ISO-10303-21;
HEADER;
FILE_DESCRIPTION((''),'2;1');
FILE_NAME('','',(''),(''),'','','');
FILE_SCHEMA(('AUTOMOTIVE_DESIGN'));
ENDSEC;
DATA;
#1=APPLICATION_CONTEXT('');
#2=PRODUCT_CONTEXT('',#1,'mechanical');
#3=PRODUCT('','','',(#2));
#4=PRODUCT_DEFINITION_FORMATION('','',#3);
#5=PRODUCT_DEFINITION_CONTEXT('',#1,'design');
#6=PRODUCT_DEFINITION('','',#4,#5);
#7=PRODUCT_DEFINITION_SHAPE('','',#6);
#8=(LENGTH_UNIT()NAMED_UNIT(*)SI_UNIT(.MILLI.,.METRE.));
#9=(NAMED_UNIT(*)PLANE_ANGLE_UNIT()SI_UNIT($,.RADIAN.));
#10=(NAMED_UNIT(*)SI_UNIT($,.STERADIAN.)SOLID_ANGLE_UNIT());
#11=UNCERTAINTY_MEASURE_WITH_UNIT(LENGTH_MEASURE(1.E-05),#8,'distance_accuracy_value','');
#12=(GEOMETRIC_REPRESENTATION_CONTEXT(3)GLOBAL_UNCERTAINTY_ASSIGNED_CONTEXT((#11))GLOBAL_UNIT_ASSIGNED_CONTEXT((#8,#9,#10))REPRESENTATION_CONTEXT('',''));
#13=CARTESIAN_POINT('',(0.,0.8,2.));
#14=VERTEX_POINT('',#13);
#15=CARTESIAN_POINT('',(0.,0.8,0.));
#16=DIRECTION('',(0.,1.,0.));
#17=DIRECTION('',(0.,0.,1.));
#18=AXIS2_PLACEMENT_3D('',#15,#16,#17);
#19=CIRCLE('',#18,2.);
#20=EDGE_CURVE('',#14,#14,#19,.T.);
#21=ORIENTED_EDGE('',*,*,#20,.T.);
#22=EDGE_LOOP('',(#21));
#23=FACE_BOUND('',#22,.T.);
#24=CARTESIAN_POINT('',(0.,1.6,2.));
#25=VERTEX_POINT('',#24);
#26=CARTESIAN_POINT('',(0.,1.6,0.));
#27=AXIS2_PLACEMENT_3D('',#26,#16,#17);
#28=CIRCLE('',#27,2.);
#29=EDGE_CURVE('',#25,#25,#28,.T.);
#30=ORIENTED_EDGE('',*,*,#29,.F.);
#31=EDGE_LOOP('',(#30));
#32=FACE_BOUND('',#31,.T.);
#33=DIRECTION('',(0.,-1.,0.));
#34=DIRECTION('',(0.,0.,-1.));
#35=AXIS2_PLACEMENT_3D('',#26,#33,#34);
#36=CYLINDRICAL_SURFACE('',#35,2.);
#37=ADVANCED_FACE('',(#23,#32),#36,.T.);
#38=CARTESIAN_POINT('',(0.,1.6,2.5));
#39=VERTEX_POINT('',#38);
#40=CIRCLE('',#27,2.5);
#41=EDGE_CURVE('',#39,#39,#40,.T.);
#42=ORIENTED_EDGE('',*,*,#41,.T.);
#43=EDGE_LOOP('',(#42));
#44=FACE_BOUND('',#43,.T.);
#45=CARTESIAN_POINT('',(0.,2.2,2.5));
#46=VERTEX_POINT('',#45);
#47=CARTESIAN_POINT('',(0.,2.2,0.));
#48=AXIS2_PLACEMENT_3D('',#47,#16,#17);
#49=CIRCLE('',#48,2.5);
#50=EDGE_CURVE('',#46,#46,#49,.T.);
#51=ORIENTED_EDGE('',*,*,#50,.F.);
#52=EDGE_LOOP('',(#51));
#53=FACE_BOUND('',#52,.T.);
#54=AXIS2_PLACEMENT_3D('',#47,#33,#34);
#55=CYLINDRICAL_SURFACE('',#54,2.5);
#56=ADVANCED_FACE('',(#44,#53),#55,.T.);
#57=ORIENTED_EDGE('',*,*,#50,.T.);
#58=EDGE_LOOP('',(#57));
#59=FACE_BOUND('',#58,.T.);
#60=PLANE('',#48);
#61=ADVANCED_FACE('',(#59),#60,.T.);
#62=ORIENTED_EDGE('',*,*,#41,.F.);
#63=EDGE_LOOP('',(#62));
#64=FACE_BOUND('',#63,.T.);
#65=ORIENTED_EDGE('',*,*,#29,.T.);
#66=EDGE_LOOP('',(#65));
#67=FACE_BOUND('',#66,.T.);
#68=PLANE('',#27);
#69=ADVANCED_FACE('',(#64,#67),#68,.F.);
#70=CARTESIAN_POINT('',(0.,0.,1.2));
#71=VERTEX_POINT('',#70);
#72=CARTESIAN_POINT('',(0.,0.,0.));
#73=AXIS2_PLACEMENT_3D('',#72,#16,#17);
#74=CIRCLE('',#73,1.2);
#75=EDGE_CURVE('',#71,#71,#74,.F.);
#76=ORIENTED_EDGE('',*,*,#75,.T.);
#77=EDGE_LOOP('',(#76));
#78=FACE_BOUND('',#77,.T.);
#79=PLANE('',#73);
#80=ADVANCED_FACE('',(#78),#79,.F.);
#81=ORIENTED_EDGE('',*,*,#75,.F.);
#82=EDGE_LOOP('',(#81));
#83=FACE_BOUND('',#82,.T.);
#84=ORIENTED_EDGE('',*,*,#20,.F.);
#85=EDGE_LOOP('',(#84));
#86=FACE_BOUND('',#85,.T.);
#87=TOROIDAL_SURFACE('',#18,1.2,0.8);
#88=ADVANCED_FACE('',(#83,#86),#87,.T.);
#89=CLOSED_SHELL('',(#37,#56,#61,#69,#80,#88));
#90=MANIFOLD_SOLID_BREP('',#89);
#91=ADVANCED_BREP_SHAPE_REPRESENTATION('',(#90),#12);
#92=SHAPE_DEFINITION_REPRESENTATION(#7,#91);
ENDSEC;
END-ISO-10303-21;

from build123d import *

# Parameters (mm, degrees)
SKETCH_1_R      = 2
EXTRUDE_1_DEPTH = 1.6
SKETCH_2_R      = 2.5
SKETCH_2_R_2    = 2
EXTRUDE_2_DEPTH = 0.6
FILLET_1_R      = 0.8


with BuildPart() as part:
    # Эскиз1 → Бобышка-Вытянуть1 (new body)
    with BuildSketch(Plane(origin=(0, 0, 0), x_dir=(1, 0, 0), z_dir=(0, 1, 0))):
        with Locations(Location((0, 0, 0), (0, 0, 270))):
            Circle(SKETCH_1_R)
    extrude(amount=EXTRUDE_1_DEPTH)

    # Эскиз2 → Бобышка-Вытянуть2 (add)
    # profile 1 of 2: a face of its own
    with BuildSketch(Plane(origin=(0, 1.6, 0), x_dir=(1, 0, 0), z_dir=(0, 1, 0))):
        with Locations(Location((0, 0, 0), (0, 0, 270))):
            Circle(SKETCH_2_R)
        with Locations(Location((0, 0, 0), (0, 0, 270))):
            Circle(SKETCH_2_R_2, mode=Mode.SUBTRACT)
    # profile 2 of 2: a face of its own
    with BuildSketch(Plane(origin=(0, 1.6, 0), x_dir=(1, 0, 0), z_dir=(0, 1, 0))):
        with Locations(Location((0, 0, 0), (0, 0, 270))):
            Circle(SKETCH_2_R_2)
    extrude(amount=EXTRUDE_2_DEPTH)

    # Скругление1
    fillet_1_edges = [part.edges().sort_by_distance(p)[0] for p in [
        (0, 0, -2),
    ]]
    fillet(fillet_1_edges, radius=FILLET_1_R)


solid = part.part
